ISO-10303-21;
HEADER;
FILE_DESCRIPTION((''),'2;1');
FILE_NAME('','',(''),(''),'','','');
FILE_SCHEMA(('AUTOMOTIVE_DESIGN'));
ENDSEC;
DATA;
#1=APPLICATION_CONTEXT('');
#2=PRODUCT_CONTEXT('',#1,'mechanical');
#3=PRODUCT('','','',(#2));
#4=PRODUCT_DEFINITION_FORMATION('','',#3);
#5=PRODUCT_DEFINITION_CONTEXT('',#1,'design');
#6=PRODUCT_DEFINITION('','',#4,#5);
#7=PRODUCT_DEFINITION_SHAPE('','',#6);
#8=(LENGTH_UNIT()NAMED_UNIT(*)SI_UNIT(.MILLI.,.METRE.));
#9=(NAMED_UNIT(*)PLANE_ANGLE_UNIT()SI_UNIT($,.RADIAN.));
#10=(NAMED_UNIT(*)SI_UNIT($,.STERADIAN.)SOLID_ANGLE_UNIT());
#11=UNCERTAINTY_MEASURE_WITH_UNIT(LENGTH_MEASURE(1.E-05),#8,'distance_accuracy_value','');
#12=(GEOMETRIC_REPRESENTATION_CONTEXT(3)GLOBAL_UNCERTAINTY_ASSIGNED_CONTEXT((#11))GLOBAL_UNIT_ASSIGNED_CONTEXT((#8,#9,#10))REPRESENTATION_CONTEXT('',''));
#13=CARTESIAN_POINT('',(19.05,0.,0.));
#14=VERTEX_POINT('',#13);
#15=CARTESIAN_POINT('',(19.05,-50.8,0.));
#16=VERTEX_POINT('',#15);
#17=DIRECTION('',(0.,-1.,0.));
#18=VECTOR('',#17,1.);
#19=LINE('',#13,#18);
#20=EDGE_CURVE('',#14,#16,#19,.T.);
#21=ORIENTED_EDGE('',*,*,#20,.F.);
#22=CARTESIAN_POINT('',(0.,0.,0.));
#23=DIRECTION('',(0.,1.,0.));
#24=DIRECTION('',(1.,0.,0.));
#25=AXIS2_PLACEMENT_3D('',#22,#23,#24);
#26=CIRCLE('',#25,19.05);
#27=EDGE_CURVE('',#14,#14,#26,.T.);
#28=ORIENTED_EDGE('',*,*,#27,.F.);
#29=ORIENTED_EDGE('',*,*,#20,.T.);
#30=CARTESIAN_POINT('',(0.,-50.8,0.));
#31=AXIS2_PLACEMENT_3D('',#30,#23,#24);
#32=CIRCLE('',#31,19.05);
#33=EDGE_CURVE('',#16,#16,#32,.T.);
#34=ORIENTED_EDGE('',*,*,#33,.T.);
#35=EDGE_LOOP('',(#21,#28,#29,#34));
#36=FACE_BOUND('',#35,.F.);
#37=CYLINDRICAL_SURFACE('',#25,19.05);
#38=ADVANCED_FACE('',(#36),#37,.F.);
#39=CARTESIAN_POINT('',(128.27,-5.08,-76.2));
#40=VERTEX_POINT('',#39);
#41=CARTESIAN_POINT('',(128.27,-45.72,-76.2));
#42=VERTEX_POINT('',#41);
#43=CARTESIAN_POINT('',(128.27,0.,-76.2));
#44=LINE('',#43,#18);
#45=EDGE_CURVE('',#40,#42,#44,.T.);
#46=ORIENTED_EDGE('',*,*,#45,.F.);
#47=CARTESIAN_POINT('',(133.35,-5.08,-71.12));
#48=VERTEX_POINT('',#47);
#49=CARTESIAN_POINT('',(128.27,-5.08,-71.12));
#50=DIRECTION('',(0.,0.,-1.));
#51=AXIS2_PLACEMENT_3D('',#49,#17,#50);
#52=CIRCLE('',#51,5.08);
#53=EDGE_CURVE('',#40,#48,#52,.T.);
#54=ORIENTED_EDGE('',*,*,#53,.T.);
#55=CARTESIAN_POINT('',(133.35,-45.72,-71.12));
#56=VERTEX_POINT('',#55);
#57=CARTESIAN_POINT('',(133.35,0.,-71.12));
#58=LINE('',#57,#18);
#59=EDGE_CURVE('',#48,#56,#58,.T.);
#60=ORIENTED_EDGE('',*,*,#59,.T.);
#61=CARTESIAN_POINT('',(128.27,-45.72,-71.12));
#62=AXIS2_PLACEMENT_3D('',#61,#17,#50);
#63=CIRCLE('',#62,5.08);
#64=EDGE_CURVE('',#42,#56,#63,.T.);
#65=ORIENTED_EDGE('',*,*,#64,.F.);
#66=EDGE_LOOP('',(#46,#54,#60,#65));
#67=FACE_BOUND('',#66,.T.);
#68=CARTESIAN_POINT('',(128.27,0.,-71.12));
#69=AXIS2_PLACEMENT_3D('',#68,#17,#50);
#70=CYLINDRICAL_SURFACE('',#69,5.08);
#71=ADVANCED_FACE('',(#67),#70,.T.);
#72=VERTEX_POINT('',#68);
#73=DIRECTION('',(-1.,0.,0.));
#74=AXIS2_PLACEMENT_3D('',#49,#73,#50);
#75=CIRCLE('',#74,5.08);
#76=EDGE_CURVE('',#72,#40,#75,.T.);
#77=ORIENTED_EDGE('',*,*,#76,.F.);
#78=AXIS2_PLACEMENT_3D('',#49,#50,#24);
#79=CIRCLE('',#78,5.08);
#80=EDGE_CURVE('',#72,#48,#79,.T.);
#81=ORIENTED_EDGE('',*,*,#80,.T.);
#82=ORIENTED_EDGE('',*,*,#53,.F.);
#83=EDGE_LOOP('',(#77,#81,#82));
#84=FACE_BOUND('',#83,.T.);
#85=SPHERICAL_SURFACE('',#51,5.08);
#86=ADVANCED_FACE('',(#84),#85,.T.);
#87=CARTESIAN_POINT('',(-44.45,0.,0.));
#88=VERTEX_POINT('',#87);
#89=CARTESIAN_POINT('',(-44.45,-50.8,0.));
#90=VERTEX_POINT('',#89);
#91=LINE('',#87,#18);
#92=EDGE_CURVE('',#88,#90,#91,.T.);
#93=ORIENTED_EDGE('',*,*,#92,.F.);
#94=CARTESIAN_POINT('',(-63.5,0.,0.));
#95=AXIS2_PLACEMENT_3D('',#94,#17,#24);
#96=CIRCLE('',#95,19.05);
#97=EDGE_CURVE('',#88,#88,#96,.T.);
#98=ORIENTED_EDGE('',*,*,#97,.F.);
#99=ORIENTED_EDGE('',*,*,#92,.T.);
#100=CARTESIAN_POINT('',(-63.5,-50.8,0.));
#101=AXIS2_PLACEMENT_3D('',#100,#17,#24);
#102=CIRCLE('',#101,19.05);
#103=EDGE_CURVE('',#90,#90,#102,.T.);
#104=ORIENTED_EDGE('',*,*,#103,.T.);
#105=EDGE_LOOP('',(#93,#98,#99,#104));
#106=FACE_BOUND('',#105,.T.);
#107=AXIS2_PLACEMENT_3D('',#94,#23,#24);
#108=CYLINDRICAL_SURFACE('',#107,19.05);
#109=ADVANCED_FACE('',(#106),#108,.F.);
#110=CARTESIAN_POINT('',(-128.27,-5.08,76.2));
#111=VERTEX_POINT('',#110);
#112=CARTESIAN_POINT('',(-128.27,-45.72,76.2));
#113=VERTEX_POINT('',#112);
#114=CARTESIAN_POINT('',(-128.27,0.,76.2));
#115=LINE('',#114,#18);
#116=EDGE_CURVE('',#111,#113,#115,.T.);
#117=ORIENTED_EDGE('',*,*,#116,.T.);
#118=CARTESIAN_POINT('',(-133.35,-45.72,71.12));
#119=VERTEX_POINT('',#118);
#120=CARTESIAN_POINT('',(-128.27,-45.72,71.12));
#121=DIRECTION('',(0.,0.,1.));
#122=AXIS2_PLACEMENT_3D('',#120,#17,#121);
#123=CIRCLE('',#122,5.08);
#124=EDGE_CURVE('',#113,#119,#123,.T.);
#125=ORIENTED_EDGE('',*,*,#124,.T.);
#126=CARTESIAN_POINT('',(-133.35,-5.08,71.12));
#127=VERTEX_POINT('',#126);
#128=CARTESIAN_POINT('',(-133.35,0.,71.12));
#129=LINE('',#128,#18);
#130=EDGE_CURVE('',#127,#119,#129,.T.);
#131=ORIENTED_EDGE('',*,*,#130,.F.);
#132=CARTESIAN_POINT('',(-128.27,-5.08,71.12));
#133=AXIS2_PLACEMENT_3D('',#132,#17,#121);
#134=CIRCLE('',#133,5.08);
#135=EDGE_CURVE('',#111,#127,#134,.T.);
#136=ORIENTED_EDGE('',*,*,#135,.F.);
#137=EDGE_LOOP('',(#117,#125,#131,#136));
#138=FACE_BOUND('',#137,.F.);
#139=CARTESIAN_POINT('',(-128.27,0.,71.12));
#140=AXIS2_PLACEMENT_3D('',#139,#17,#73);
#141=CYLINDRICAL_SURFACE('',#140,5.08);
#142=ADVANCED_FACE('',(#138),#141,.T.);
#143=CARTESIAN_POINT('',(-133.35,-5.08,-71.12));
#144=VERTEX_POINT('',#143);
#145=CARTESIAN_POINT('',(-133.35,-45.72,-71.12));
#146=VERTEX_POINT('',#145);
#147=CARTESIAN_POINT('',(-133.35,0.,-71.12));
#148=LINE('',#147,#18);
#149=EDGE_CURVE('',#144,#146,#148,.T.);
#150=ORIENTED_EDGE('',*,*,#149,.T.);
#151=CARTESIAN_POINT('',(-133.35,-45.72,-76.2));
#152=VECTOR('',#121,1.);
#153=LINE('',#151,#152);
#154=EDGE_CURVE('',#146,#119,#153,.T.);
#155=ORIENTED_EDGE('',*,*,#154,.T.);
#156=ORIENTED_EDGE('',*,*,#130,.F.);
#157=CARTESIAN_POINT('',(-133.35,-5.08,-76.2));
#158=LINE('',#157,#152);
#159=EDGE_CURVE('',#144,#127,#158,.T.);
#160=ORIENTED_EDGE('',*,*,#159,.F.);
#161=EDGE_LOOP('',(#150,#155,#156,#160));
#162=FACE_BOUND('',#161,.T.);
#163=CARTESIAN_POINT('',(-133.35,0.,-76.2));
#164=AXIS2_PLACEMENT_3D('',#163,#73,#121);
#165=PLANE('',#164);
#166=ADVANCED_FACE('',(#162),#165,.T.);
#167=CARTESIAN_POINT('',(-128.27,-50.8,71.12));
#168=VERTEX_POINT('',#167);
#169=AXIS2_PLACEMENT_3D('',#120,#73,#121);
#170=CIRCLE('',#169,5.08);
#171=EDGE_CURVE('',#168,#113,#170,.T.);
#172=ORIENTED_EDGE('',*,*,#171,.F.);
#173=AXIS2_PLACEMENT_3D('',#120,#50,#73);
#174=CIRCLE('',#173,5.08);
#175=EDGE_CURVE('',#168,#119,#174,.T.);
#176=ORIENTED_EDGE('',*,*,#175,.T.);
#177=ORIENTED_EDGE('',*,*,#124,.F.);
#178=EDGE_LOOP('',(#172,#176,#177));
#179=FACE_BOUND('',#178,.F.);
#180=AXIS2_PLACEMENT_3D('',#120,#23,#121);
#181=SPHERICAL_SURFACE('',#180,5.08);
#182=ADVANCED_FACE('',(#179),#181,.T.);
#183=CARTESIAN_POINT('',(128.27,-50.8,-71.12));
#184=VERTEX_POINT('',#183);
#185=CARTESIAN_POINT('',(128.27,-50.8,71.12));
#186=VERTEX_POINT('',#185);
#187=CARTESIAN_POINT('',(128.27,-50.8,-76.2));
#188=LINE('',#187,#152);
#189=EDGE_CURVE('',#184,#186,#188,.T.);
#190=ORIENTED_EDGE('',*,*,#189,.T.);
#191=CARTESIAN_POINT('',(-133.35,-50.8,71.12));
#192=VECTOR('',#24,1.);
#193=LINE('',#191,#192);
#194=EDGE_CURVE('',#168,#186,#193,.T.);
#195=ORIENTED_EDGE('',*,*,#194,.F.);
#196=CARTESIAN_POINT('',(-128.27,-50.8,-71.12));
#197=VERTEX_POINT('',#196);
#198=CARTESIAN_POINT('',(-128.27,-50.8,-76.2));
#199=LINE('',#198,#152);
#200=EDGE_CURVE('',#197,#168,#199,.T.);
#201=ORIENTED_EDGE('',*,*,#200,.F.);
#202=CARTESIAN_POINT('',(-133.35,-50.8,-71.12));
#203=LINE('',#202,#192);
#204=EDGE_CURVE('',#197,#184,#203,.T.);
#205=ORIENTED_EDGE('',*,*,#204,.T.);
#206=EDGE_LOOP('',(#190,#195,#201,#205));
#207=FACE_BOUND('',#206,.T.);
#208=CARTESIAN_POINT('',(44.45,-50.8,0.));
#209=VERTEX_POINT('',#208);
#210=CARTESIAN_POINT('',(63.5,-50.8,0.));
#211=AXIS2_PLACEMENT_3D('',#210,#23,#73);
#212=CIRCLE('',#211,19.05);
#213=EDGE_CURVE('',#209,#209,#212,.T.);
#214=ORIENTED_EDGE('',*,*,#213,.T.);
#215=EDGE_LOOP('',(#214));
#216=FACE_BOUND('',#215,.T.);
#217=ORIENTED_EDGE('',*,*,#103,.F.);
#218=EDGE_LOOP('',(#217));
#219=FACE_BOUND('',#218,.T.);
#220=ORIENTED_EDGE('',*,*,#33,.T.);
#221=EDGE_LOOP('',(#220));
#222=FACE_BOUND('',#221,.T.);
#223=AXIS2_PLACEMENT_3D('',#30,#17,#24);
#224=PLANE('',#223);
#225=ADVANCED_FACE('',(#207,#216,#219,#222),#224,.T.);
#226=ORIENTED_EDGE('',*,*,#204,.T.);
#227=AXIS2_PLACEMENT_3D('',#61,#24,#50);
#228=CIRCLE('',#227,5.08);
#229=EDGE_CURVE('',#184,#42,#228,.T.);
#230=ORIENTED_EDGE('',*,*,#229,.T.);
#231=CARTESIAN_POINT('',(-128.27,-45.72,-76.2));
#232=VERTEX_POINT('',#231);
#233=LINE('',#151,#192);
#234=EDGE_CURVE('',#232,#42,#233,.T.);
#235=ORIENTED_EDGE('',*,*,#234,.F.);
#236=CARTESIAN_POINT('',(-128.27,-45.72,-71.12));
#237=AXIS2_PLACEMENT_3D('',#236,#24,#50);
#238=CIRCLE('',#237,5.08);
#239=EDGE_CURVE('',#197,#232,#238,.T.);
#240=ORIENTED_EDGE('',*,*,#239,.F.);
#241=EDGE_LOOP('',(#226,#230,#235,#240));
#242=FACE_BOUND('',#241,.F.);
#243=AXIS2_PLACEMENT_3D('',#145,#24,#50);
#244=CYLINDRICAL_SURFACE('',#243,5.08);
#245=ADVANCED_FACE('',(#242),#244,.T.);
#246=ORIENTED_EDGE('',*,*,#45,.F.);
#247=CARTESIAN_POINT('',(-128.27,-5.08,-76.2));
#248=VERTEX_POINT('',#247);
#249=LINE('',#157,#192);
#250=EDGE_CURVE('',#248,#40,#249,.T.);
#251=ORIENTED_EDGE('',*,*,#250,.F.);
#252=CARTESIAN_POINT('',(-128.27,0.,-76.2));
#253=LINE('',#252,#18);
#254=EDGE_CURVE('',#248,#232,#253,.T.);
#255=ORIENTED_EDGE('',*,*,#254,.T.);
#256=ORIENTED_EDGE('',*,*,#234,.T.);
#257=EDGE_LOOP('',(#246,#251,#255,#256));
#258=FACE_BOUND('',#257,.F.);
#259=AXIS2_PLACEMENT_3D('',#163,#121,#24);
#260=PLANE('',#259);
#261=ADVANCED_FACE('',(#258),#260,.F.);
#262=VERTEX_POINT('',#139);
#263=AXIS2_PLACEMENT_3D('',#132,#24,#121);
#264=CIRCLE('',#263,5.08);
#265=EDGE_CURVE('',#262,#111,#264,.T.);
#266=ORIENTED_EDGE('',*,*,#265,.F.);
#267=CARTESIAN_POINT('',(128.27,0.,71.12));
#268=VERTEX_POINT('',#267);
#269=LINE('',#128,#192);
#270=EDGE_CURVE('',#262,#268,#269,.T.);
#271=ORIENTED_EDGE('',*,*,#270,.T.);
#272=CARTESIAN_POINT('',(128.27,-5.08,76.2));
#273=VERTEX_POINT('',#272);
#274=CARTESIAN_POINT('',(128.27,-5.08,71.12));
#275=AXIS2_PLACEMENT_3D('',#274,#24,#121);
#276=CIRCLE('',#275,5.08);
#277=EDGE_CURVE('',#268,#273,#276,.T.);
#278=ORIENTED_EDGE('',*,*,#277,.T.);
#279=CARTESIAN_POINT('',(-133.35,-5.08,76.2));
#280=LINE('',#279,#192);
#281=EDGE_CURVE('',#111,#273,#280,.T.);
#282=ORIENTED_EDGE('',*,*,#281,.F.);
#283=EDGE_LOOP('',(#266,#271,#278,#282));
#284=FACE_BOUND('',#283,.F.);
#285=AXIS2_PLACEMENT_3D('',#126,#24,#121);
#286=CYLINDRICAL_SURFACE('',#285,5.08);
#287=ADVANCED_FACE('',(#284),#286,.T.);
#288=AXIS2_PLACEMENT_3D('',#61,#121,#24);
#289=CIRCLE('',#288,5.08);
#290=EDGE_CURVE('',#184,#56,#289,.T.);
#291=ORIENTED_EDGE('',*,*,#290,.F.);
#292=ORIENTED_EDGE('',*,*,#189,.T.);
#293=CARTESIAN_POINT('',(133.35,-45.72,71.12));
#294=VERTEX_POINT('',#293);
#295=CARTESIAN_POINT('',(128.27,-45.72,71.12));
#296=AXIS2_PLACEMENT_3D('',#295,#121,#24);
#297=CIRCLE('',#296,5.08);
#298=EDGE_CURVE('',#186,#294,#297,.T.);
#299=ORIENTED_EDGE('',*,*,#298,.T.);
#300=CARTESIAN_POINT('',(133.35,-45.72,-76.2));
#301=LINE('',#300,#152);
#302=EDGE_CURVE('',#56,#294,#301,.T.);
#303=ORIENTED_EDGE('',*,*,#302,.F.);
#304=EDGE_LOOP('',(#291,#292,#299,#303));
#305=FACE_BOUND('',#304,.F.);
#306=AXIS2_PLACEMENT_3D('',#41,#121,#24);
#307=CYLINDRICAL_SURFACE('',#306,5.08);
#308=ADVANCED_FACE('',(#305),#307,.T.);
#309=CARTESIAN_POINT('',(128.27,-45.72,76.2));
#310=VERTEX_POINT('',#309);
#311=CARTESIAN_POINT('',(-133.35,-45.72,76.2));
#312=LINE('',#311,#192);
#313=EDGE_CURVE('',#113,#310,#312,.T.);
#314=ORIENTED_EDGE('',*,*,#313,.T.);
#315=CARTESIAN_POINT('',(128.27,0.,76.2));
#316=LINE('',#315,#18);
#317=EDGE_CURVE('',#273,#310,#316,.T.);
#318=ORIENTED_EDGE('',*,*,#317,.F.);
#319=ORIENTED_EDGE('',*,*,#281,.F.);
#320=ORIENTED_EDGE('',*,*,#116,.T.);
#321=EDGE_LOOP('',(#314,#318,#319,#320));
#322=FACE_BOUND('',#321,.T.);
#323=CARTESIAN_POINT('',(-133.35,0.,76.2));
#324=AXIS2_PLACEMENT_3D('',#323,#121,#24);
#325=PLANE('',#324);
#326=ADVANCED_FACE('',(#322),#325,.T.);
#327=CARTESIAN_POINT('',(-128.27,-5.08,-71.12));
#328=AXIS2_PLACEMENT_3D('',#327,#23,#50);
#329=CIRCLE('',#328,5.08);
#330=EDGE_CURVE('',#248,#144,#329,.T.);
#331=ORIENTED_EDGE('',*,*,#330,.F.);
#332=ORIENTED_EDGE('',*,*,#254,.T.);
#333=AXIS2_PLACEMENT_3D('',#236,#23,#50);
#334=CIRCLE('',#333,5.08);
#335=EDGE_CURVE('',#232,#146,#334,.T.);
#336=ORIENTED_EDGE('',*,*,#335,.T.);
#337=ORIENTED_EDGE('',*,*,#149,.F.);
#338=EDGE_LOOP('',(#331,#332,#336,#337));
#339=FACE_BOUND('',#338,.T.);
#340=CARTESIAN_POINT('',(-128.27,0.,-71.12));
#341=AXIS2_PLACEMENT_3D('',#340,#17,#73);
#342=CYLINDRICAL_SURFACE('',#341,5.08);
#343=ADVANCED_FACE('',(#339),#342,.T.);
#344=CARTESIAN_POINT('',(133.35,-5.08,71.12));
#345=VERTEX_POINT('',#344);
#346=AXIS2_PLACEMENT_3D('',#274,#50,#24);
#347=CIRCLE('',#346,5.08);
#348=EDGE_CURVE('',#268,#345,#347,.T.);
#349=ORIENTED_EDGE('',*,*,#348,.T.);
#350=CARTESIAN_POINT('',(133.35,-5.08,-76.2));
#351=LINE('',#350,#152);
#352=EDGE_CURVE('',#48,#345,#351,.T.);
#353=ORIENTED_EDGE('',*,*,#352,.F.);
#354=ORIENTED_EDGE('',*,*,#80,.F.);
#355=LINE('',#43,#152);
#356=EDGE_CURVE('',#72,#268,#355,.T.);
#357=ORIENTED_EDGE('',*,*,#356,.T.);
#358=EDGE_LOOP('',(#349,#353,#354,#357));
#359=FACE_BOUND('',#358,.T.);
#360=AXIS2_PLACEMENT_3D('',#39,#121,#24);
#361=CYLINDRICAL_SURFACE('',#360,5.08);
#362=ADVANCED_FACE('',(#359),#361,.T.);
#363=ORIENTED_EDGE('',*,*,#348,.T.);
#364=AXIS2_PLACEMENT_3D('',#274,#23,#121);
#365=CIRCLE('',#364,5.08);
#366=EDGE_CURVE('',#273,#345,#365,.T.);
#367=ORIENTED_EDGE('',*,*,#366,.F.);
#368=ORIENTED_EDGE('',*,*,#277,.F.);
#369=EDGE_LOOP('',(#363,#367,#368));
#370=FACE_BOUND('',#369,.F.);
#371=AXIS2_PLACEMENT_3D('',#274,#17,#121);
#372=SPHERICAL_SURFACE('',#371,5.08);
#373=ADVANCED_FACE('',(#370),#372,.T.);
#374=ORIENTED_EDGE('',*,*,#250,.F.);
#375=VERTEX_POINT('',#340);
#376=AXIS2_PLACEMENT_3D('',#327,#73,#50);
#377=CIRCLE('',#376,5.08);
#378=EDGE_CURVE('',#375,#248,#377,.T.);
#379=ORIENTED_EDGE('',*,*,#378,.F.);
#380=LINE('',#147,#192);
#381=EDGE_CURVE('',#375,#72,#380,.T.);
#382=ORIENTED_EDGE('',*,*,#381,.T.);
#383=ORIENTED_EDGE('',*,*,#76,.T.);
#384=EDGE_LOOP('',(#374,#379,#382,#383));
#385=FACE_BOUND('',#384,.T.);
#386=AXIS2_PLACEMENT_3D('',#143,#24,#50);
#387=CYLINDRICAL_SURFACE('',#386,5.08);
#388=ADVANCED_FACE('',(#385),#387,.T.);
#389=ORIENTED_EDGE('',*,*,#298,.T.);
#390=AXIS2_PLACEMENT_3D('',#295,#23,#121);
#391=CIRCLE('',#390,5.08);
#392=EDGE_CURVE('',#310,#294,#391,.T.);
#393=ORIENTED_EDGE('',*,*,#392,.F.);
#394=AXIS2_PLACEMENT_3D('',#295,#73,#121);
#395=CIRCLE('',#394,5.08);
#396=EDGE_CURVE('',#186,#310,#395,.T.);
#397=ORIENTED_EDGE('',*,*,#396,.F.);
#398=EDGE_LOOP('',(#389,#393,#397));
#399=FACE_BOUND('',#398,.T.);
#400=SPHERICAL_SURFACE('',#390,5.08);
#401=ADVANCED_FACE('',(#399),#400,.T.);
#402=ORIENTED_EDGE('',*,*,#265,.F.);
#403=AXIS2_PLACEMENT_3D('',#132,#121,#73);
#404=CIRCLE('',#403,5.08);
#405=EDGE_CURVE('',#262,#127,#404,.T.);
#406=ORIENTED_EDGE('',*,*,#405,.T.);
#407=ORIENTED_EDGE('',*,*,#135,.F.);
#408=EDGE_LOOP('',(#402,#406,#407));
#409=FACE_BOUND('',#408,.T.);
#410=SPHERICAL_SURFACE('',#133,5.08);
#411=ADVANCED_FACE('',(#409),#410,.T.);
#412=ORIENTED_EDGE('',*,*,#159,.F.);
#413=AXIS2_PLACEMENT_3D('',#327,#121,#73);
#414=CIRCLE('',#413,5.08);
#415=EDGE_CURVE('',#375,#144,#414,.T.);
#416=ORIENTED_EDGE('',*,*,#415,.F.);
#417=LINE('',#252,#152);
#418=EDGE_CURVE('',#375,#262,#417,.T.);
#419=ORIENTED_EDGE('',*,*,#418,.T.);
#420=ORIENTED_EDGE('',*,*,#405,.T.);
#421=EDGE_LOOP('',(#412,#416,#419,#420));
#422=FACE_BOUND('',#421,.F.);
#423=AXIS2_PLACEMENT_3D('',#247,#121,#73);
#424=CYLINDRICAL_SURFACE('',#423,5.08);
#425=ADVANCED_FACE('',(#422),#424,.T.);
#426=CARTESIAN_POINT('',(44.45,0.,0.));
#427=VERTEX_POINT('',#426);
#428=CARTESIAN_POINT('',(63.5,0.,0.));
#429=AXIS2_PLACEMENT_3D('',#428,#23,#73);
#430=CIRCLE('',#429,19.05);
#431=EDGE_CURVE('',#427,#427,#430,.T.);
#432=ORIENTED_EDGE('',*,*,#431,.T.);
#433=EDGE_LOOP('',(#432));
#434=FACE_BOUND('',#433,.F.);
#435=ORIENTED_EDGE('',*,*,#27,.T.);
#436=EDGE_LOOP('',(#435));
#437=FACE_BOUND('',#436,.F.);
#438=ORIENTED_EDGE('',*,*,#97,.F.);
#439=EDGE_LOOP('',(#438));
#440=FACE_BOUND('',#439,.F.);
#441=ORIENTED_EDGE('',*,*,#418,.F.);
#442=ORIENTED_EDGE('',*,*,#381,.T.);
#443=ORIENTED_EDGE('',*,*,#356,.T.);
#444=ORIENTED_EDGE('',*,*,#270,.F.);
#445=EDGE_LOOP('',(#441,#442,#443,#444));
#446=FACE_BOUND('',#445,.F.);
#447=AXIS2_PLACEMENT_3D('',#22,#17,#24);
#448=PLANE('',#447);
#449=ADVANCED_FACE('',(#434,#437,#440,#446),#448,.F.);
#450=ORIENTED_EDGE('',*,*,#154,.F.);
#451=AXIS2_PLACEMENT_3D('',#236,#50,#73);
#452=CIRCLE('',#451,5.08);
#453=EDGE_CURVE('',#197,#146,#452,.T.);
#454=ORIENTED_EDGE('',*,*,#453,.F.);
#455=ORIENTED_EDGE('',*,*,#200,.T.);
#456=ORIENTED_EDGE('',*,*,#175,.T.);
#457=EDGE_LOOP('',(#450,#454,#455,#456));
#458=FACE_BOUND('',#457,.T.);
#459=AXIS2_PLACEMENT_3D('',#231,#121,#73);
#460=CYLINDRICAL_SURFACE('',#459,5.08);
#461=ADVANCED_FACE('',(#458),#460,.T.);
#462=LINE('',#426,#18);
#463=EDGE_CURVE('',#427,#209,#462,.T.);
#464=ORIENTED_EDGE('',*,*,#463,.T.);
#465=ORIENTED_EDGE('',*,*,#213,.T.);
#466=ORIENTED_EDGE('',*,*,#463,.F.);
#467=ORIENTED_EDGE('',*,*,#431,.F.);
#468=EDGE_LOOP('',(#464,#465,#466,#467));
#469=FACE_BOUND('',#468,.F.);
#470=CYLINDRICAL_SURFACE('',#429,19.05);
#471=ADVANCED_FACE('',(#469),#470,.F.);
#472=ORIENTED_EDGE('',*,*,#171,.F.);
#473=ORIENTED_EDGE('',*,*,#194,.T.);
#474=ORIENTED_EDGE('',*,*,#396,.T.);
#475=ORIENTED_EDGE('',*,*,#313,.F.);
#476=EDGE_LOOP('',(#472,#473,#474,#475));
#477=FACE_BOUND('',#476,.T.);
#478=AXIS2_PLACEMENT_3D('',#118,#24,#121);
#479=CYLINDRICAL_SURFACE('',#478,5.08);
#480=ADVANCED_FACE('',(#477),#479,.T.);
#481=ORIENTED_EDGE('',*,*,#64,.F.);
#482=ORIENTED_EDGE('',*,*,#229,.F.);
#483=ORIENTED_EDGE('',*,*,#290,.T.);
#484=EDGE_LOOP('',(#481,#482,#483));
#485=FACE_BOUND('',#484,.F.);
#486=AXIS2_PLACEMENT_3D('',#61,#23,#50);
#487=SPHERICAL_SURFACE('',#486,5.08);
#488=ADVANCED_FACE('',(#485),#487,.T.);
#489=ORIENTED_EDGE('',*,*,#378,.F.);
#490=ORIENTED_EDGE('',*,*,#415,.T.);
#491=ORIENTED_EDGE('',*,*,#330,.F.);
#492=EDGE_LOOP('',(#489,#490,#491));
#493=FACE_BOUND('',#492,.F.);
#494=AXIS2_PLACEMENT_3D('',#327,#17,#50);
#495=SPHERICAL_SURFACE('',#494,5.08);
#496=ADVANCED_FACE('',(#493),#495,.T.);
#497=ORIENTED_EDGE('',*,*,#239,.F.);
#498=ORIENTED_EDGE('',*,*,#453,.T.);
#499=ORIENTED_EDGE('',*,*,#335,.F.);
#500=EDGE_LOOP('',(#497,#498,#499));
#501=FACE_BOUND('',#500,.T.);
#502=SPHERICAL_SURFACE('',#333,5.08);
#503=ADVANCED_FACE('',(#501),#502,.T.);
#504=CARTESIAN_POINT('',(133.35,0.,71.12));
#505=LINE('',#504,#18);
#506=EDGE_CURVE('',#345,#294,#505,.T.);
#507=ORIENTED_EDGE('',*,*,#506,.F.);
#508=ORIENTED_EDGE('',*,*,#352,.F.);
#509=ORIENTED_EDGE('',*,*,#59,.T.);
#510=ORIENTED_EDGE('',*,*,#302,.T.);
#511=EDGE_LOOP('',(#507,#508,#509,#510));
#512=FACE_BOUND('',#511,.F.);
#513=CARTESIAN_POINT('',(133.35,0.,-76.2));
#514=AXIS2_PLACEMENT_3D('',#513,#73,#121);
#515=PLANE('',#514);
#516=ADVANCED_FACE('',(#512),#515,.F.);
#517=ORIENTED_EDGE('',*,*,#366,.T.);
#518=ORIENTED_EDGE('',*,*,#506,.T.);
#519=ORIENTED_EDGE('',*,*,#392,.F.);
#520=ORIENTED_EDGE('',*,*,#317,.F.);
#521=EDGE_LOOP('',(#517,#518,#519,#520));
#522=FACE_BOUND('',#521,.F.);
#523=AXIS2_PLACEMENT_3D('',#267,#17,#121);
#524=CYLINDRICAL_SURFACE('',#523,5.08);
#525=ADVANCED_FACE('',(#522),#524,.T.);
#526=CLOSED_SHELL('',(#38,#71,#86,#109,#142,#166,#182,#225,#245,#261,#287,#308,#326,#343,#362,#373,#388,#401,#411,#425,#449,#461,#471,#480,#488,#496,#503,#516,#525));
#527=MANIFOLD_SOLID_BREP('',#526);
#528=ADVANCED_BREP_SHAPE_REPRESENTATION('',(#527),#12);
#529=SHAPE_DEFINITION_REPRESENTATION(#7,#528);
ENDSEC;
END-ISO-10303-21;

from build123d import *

# Parameters (mm, degrees)
F0_W     = 266.7
F0_H     = 152.4
F0_R     = 19.05
F1_DEPTH = 50.8
F2_R     = 5.08


with BuildPart() as f1:
    # F0 (on Front) → F1 (new body)
    with BuildSketch(Plane.XZ):
        with Locations((-63.5, 0)):
            Circle(F0_R)
        with BuildLine():
            ThreePointArc((82.55, 0), (63.5, 19.05), (44.45, 0))
            ThreePointArc((44.45, 0), (63.5, -19.05), (82.55, 0))
        make_face()
        Rectangle(F0_W, F0_H)
        with Locations((-63.5, 0)):
            Circle(F0_R, mode=Mode.SUBTRACT)
        with BuildLine():
            ThreePointArc((-19.05, 0), (0, 19.05), (19.05, 0))
            ThreePointArc((19.05, 0), (0, -19.05), (-19.05, 0))
        make_face(mode=Mode.SUBTRACT)
        with BuildLine():
            ThreePointArc((82.55, 0), (63.5, -19.05), (44.45, 0))
            ThreePointArc((44.45, 0), (63.5, 19.05), (82.55, 0))
        make_face(mode=Mode.SUBTRACT)
    extrude(amount=F1_DEPTH)

    # F2
    f2_edges = [f1.edges().sort_by_distance(p)[0] for p in [
        (-133.35, -25.4, -76.2),
        (133.35, -25.4, -76.2),
        (0, 0, -76.2),
        (0, -50.8, -76.2),
        (133.35, -25.4, 76.2),
        (-133.35, -25.4, 76.2),
        (0, 0, 76.2),
        (0, -50.8, 76.2),
        (-133.35, 0, 0),
        (-133.35, -50.8, 0),
        (133.35, 0, 0),
        (133.35, -50.8, 0),
    ]]
    fillet(f2_edges, radius=F2_R)


solid = f1.part
